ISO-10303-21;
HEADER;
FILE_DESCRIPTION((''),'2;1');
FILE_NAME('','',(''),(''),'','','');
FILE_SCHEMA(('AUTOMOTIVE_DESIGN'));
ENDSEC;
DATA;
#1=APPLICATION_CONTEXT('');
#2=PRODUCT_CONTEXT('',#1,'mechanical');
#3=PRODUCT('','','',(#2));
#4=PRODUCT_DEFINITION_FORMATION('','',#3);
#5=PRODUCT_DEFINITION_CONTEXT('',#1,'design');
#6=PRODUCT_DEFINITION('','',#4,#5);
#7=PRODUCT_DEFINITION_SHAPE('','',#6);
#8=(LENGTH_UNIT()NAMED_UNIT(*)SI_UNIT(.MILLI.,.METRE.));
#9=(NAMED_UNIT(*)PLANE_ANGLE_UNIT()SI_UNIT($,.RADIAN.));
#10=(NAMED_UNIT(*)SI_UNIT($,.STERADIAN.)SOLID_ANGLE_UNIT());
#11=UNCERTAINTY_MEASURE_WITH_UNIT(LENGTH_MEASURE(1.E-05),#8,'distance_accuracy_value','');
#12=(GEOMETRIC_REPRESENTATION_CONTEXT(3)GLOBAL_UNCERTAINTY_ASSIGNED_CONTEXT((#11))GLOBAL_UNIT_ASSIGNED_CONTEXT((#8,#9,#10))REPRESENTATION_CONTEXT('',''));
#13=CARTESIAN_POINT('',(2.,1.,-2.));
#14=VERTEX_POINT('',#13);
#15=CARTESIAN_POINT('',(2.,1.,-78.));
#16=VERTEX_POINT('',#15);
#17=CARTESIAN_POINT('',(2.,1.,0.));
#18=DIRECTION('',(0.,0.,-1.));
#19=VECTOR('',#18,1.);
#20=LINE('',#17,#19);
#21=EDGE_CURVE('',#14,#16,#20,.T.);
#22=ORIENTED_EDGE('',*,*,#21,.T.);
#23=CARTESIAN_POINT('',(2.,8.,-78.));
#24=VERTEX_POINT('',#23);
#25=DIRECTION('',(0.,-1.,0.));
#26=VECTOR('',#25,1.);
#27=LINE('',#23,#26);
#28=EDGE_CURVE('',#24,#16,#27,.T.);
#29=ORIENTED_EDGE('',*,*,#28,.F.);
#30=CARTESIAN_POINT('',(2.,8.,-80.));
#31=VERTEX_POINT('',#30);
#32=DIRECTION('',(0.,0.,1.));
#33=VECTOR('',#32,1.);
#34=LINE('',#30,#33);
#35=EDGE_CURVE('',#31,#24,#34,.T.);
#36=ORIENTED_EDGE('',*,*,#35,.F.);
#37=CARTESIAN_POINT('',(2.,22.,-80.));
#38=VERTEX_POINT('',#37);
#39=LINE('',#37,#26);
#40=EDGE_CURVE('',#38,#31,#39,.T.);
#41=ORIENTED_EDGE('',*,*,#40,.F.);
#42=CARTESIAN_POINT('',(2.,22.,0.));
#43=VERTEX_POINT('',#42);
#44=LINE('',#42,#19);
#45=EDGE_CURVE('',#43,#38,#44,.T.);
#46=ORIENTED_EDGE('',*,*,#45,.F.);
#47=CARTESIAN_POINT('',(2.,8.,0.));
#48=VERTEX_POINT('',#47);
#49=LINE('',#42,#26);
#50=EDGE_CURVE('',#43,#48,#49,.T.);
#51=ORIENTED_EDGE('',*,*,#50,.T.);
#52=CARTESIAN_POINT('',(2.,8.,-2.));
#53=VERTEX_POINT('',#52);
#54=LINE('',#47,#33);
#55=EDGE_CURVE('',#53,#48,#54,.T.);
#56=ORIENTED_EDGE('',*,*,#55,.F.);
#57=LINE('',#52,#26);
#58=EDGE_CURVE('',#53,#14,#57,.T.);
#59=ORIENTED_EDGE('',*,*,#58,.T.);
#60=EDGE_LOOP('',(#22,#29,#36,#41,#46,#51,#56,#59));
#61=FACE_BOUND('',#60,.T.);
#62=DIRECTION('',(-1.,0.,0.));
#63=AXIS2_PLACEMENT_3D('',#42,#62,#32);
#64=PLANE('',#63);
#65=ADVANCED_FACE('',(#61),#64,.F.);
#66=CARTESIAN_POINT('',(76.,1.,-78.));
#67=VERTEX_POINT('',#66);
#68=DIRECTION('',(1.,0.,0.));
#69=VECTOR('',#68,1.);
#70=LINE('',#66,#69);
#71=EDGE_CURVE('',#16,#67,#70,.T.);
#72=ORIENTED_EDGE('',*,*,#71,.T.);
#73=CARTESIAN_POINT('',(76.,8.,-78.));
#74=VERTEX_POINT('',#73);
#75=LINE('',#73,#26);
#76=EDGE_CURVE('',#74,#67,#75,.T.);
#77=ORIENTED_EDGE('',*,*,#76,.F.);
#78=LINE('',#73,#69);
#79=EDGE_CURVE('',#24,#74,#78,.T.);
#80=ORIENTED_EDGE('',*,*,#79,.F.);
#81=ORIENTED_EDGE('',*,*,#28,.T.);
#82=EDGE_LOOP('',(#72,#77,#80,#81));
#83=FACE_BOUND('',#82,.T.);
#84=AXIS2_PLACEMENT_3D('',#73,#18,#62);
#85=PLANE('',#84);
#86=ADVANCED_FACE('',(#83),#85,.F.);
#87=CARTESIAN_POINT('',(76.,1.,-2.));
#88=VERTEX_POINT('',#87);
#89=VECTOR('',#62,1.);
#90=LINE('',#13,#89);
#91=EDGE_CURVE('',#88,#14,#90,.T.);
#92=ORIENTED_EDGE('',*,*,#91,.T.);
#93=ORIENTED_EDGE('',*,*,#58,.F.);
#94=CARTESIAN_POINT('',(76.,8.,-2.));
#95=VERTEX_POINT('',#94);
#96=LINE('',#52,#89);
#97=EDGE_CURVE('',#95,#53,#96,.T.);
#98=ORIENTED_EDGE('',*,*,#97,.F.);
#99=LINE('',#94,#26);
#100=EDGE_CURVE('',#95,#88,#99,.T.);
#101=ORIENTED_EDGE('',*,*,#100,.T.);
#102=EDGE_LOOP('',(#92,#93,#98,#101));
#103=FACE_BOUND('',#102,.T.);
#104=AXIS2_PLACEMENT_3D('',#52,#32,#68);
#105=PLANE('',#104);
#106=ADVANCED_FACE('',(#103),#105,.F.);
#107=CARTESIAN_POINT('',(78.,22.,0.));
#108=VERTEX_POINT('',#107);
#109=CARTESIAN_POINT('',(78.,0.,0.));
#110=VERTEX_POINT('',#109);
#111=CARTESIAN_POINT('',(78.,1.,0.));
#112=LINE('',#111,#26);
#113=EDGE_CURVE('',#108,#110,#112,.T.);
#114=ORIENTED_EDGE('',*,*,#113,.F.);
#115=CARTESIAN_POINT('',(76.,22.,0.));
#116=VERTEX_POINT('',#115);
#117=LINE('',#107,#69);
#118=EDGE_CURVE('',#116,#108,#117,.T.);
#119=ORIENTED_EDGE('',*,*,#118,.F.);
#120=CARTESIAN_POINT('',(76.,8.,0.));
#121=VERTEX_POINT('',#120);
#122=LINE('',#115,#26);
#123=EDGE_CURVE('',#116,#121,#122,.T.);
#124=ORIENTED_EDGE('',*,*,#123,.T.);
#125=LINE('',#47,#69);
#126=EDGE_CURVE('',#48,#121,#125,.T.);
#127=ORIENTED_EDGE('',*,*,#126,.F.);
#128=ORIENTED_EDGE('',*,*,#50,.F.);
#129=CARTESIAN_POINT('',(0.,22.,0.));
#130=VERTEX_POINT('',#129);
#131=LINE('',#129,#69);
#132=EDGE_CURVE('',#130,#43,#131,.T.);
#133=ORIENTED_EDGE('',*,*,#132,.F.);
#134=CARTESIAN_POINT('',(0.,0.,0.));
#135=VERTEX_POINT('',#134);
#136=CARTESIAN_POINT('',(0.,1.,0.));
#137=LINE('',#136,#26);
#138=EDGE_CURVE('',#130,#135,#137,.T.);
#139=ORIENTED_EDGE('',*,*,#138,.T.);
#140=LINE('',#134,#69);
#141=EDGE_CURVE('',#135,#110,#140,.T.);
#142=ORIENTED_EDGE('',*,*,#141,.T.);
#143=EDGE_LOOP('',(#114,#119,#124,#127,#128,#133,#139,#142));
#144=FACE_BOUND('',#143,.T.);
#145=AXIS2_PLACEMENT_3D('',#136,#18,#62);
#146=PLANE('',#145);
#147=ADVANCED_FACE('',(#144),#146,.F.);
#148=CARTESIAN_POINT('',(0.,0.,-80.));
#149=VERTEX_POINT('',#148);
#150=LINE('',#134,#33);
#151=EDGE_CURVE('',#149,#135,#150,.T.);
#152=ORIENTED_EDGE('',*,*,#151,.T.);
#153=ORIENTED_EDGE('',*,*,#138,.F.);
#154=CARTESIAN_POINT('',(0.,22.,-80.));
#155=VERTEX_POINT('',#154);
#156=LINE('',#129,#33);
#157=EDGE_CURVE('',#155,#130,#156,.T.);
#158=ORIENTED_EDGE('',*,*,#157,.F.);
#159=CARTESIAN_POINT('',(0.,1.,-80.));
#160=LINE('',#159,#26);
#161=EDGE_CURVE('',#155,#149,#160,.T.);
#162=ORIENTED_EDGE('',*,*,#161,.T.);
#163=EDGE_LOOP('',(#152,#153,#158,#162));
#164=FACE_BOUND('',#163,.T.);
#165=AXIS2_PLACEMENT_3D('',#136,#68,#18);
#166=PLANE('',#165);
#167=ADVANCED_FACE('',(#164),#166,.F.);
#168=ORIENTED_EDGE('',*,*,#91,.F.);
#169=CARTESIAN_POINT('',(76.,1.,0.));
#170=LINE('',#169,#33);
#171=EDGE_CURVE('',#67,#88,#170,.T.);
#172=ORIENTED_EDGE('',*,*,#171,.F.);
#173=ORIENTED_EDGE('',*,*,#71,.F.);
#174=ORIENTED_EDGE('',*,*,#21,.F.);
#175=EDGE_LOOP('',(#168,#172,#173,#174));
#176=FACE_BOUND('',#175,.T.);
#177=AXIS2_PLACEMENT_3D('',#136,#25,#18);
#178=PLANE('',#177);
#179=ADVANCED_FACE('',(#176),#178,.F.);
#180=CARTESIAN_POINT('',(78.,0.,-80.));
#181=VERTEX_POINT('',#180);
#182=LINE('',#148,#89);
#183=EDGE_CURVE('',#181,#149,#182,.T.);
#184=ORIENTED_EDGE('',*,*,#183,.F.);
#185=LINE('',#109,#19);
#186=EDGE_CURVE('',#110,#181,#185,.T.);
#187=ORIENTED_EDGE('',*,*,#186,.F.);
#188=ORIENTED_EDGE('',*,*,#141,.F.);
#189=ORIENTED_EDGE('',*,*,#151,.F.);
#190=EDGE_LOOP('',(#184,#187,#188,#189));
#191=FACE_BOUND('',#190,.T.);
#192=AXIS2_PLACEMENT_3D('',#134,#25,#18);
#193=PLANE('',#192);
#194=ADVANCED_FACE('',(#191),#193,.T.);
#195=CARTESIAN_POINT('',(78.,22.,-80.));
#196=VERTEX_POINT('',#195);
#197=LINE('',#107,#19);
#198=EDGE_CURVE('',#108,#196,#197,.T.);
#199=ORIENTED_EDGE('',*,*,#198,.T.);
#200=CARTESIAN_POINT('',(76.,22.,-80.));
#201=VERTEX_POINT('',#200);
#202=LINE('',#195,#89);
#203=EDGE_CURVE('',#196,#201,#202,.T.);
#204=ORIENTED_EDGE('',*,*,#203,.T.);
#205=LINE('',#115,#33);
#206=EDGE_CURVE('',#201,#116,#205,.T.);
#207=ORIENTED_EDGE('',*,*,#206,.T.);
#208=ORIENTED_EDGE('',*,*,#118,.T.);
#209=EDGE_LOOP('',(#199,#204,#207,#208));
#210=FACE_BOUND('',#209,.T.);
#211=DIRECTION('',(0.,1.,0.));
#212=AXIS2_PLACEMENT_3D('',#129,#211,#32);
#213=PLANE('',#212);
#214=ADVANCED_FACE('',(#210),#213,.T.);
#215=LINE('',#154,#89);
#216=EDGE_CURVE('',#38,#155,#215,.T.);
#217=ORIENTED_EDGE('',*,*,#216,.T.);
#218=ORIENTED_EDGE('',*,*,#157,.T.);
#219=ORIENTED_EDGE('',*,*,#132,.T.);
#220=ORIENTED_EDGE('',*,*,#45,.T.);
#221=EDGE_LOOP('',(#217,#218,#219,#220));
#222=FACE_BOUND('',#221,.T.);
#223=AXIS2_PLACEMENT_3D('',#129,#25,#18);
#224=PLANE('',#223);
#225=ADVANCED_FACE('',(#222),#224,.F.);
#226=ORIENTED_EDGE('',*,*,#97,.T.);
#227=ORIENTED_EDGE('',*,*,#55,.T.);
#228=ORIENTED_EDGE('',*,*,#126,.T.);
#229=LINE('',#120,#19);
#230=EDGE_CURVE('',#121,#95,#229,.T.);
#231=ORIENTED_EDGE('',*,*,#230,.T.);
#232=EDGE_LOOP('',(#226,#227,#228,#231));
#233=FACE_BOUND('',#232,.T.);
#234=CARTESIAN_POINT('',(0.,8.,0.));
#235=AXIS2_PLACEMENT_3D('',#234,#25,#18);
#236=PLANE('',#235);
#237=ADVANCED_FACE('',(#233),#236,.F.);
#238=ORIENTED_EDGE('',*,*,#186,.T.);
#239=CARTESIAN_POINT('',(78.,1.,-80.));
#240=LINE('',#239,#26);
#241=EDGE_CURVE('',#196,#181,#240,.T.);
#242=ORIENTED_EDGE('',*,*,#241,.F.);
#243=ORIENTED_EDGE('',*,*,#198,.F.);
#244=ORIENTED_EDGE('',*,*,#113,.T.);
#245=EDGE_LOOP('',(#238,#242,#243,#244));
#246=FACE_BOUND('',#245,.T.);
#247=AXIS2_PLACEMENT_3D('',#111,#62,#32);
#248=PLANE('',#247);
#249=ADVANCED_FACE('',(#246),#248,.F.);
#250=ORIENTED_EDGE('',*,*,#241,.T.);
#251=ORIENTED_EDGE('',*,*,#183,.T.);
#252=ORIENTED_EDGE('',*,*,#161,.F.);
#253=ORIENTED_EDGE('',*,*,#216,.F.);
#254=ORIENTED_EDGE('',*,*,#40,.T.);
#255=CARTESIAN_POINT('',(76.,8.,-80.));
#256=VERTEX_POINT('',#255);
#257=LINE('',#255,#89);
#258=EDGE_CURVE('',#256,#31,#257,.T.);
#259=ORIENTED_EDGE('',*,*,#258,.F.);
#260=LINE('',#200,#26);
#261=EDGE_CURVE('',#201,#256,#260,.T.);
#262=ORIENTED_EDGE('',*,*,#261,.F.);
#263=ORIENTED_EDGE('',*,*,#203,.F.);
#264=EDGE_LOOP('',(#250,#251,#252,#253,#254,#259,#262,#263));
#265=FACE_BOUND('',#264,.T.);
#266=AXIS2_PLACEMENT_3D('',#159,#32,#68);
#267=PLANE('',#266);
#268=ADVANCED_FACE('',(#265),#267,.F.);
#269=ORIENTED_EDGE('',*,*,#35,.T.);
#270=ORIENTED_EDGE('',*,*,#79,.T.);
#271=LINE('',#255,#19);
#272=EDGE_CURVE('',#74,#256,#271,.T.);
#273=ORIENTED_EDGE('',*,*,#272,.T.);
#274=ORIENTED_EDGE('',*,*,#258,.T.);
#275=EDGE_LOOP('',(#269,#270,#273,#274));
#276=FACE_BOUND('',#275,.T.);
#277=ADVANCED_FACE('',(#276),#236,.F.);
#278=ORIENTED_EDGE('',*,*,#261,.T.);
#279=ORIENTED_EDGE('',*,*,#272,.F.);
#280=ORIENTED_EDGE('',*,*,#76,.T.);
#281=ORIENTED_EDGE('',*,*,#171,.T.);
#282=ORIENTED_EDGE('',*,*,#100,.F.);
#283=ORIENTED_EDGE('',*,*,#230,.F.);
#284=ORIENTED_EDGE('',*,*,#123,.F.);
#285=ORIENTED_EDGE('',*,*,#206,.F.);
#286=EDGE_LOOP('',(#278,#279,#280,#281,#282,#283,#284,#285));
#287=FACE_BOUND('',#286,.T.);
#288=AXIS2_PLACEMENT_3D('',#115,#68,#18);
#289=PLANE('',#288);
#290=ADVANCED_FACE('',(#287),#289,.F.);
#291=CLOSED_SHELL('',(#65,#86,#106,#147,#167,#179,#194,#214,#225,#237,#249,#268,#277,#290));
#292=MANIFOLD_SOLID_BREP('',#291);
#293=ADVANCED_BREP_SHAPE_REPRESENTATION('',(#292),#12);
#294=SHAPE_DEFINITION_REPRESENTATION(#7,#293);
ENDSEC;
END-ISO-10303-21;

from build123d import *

# Parameters (mm, degrees)
SKETCH2_W           = 78
SKETCH2_H           = 80
BOSS_EXTRUDE1_DEPTH = 1
SKETCH3_W           = 2
SKETCH3_H           = 80
BOSS_EXTRUDE2_DEPTH = 21
SKETCH4_W           = 74
SKETCH4_H           = 2
BOSS_EXTRUDE3_DEPTH = 7


with BuildPart() as part:
    # Sketch2 → Boss-Extrude1 (new body)
    with BuildSketch(Plane(origin=(0, 0, 0), x_dir=(1, 0, 0), z_dir=(0, 1, 0))):
        with Locations((39, 40)):
            Rectangle(SKETCH2_W, SKETCH2_H)
    extrude(amount=BOSS_EXTRUDE1_DEPTH)

    # Sketch3 → Boss-Extrude2 (add)
    with BuildSketch(Plane(origin=(0, 1, 0), x_dir=(1, 0, 0), z_dir=(0, 1, 0))):
        with Locations((1, 40)):
            Rectangle(SKETCH3_W, SKETCH3_H)
        with Locations((77, 40)):
            Rectangle(SKETCH3_W, SKETCH3_H)
    extrude(amount=BOSS_EXTRUDE2_DEPTH)

    # Sketch4 → Boss-Extrude3 (add)
    with BuildSketch(Plane(origin=(0, 1, 0), x_dir=(1, 0, 0), z_dir=(0, 1, 0))):
        with Locations((39, 1)):
            Rectangle(SKETCH4_W, SKETCH4_H)
        with Locations((39, 79)):
            Rectangle(SKETCH4_W, SKETCH4_H)
    extrude(amount=BOSS_EXTRUDE3_DEPTH)


solid = part.part
